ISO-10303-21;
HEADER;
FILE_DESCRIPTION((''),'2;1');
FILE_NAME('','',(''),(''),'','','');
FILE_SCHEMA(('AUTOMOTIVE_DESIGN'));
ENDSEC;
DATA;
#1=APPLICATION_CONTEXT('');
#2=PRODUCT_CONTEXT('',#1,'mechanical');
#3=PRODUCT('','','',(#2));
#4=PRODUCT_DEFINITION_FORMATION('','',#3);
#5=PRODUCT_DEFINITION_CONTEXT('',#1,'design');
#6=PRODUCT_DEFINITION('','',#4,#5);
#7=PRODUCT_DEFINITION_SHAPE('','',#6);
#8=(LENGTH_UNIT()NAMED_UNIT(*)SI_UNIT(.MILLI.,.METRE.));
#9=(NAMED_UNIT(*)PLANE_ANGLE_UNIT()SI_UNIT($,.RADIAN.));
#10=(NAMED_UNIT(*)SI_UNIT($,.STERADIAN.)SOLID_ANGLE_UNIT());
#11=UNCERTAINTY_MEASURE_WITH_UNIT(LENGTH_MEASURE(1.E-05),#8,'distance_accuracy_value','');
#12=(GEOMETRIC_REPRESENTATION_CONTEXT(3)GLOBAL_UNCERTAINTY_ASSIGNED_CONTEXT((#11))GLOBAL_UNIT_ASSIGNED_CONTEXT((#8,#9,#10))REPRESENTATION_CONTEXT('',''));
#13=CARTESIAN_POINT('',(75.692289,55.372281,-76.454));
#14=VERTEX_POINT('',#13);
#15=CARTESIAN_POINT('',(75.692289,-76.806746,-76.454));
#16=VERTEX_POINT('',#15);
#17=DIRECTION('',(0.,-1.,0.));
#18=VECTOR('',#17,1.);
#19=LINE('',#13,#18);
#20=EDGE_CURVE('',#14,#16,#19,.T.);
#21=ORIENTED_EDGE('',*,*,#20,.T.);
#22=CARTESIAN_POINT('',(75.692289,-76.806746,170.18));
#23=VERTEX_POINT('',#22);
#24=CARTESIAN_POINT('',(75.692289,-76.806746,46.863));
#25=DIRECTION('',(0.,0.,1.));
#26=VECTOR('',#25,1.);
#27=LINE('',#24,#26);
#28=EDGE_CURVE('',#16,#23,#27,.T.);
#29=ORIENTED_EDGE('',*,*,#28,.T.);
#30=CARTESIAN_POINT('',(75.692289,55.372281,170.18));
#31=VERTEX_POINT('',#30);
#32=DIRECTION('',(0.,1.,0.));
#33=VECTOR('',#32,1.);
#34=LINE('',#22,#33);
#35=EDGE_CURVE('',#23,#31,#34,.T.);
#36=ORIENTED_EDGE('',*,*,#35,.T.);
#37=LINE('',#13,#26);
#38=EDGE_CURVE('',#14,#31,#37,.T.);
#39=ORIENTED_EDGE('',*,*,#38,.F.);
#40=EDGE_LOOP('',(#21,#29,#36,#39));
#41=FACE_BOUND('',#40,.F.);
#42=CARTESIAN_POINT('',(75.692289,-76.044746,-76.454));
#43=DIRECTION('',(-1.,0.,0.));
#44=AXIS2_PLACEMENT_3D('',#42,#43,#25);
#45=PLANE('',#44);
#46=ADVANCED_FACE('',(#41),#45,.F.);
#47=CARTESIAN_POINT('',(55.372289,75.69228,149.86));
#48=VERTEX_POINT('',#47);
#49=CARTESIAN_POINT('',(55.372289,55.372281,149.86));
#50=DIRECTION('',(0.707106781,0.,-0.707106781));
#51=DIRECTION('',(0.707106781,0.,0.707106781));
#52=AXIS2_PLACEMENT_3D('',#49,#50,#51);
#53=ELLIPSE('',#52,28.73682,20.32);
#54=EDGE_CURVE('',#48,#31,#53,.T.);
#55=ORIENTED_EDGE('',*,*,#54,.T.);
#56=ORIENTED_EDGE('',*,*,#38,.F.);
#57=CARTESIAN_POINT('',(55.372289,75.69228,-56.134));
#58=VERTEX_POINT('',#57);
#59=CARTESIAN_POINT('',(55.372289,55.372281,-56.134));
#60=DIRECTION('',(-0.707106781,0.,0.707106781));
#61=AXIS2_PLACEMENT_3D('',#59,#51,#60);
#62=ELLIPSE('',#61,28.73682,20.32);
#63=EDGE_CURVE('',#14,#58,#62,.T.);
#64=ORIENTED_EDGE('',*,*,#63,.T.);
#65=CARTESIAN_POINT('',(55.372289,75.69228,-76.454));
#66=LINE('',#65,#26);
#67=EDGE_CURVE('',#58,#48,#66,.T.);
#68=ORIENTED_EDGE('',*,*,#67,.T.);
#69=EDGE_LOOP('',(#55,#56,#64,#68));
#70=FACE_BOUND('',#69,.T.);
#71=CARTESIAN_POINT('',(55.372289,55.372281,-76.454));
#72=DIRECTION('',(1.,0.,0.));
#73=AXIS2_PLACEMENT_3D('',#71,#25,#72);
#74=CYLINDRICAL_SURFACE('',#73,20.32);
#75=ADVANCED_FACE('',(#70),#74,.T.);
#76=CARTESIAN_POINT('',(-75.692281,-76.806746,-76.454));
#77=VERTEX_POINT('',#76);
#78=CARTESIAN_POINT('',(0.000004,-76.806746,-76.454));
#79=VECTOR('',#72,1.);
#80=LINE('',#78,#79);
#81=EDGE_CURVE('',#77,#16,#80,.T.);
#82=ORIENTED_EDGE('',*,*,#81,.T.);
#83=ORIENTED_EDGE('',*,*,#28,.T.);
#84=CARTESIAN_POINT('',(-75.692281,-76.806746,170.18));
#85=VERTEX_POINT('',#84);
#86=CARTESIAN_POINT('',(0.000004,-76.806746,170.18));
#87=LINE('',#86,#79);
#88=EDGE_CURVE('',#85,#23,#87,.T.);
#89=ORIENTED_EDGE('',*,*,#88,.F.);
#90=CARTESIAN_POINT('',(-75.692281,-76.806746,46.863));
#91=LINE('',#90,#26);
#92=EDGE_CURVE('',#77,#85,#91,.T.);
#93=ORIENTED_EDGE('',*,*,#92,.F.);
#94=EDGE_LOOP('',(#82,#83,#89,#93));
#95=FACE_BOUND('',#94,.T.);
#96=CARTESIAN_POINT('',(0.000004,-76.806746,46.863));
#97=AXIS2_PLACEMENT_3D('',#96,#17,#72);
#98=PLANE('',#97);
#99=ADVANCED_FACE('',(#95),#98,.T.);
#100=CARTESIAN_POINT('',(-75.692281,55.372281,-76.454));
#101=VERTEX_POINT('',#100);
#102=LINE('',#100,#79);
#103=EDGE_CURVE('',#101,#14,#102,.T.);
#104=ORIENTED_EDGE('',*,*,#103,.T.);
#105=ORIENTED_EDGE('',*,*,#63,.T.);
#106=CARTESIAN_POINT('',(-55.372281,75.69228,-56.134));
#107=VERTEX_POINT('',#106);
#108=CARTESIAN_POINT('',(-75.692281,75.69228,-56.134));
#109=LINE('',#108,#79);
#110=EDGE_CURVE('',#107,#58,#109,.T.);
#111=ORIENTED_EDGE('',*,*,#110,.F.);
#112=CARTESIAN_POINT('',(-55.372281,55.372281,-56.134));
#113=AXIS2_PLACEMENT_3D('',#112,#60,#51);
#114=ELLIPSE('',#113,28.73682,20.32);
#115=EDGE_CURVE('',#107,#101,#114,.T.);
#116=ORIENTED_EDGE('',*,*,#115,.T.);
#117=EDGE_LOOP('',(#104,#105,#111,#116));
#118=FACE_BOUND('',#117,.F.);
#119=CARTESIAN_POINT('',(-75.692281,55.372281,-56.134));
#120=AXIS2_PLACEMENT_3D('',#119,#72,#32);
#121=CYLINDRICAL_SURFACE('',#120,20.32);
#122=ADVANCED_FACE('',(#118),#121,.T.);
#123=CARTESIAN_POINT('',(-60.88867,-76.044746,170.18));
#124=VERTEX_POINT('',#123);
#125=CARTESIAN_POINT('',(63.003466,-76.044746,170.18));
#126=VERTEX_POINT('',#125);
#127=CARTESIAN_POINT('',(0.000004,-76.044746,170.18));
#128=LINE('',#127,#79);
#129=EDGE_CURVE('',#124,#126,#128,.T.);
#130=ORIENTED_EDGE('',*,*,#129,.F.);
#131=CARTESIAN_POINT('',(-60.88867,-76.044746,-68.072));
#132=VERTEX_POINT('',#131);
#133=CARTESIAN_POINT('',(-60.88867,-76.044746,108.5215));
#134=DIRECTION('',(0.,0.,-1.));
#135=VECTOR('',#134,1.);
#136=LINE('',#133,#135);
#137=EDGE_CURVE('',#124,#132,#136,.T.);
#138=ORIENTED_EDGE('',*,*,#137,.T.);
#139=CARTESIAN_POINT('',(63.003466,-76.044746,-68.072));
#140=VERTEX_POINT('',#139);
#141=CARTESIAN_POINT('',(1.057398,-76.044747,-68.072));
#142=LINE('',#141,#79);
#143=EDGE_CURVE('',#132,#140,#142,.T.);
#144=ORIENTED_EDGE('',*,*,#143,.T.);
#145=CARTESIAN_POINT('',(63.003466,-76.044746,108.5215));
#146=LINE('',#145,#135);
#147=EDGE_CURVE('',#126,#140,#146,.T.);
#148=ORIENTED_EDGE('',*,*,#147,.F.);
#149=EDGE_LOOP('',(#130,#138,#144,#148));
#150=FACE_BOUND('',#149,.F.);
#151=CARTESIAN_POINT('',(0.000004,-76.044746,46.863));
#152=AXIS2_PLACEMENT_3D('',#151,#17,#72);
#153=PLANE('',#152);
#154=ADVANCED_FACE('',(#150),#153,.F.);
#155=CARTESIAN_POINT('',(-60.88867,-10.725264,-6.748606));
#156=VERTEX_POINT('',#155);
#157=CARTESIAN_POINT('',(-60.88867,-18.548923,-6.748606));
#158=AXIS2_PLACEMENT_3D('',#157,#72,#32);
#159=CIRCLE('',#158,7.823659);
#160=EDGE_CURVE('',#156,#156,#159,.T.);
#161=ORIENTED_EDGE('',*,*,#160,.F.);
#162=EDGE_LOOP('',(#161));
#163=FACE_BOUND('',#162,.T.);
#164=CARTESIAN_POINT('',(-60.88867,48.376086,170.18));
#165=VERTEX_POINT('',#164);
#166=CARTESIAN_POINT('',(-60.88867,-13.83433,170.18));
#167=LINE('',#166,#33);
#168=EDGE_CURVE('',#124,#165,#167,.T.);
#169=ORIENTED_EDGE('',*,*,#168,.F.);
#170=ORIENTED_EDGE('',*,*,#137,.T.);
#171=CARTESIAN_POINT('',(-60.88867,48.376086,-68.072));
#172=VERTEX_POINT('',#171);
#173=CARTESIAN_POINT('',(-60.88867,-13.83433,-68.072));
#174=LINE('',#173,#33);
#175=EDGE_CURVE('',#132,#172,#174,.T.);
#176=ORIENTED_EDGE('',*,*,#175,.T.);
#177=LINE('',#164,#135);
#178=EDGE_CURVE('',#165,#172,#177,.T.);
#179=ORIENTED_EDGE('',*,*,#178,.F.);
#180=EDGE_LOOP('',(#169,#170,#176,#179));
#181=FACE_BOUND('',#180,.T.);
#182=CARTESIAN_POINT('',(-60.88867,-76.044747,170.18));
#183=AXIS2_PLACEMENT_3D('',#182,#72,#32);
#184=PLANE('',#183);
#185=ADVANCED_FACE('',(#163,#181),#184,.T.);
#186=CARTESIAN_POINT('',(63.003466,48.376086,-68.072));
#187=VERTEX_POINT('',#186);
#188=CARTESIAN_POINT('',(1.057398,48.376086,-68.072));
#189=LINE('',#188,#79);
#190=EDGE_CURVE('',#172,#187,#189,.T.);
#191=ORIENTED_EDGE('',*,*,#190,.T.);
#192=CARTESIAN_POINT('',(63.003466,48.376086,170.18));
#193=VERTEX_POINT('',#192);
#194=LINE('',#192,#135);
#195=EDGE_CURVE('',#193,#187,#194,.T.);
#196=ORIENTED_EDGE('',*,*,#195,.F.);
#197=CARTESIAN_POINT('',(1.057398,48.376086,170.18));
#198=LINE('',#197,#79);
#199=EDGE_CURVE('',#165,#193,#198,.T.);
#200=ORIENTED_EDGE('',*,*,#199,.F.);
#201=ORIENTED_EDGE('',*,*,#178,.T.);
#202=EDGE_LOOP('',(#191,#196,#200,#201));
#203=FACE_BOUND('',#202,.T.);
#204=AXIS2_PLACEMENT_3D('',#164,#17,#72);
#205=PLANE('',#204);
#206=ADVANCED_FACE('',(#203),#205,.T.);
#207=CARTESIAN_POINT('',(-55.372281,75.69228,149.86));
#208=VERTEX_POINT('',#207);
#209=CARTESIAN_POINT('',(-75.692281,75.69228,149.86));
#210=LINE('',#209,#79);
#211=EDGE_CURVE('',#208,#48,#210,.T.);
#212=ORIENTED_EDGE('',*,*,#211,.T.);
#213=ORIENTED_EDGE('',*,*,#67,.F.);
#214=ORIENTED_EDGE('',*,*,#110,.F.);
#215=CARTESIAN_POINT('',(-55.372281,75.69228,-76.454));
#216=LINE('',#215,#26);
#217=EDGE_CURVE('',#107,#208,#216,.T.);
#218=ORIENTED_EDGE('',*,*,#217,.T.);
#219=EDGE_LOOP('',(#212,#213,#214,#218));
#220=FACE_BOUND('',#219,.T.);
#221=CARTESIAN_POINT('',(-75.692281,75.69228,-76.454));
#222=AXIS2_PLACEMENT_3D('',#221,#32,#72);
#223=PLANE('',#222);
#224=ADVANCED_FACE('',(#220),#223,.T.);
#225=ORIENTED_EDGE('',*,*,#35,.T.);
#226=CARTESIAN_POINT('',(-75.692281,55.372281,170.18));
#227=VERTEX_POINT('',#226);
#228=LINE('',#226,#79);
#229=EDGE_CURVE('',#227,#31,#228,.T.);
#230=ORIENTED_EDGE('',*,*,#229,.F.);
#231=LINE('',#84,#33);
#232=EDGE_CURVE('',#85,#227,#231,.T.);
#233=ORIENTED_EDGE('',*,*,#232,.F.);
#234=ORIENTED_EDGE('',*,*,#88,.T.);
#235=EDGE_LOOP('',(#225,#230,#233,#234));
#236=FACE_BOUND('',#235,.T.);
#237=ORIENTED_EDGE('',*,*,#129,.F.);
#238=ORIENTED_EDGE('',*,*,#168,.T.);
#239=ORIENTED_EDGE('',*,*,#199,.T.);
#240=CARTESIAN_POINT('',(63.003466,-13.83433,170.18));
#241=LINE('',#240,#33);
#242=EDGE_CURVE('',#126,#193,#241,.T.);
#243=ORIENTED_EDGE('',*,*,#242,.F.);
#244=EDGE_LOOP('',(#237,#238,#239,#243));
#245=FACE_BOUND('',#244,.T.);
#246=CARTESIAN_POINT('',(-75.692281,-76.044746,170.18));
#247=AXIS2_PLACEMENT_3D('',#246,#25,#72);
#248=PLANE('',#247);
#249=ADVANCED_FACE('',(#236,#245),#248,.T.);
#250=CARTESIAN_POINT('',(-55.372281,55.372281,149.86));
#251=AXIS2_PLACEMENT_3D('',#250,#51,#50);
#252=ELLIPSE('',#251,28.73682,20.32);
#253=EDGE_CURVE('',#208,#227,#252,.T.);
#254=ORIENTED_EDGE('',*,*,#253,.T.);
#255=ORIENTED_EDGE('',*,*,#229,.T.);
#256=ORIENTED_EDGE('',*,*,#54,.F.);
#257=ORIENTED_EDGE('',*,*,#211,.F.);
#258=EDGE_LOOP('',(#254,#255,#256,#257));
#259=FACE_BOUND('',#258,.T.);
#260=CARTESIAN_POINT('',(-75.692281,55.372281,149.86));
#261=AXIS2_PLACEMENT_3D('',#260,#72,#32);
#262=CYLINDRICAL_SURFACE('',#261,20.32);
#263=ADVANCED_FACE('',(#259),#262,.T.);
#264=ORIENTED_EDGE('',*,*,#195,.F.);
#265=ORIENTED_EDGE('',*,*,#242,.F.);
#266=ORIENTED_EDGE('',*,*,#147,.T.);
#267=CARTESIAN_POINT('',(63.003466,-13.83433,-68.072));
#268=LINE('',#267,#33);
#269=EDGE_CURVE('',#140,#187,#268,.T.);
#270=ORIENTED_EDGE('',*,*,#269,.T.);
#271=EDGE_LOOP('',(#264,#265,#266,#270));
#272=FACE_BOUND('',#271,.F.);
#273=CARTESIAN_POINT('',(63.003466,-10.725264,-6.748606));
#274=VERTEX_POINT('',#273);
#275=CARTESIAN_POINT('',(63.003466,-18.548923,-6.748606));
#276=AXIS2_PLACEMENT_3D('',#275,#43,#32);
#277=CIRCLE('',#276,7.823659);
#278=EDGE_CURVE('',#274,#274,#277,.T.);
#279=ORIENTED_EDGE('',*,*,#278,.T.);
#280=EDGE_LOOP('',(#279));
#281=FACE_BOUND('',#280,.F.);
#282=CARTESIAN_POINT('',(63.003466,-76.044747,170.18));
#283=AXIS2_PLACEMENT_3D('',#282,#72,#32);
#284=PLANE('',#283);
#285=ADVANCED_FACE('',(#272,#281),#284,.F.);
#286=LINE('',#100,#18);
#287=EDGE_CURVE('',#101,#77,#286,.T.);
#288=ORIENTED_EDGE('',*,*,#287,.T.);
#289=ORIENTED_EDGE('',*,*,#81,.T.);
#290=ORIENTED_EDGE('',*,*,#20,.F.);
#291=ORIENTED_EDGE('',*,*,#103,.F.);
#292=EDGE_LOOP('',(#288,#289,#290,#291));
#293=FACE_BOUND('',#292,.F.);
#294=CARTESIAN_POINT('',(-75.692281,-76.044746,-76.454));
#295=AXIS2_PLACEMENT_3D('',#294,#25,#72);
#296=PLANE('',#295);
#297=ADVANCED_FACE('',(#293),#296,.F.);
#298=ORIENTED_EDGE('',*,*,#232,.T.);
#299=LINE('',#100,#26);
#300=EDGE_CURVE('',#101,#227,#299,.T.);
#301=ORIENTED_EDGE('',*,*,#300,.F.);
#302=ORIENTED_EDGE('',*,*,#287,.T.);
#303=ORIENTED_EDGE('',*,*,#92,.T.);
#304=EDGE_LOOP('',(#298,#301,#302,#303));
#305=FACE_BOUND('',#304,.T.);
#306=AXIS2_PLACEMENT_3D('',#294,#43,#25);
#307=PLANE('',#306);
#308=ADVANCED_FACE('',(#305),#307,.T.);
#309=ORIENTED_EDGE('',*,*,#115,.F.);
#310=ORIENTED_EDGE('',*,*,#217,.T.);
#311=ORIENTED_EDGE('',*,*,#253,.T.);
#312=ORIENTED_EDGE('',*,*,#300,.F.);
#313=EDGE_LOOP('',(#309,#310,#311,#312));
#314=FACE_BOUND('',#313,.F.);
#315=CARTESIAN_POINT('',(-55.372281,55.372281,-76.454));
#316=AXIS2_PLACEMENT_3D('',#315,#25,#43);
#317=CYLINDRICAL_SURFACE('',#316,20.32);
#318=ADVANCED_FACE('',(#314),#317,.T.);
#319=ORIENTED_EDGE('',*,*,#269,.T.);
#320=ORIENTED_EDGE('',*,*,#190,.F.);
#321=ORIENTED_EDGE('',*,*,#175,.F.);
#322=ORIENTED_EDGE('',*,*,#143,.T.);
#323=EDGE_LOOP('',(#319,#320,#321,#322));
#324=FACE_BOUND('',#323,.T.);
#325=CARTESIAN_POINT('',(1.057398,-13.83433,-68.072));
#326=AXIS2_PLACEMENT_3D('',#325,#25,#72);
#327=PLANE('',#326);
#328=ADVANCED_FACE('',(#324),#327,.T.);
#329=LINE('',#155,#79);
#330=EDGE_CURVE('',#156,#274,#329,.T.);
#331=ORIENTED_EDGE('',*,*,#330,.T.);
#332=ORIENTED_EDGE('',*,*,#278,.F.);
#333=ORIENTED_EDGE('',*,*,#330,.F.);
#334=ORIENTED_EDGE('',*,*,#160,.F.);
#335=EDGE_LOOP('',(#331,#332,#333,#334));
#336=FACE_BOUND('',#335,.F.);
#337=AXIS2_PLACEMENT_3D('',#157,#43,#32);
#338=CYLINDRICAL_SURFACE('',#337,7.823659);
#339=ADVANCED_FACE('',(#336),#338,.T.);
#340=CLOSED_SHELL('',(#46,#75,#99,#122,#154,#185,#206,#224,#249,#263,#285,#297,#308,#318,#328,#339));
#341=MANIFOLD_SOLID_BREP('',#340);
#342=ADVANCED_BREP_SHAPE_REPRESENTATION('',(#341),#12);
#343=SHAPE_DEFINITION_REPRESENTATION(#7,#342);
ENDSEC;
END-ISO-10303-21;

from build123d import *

# Parameters (mm, degrees)
F1_W     = 151.38457
F1_H     = 151.737027
F2_DEPTH = 246.634
F3_R     = 20.32
F4_W     = 123.892136
F4_H     = 124.420833
F5_DEPTH = 238.252
F6_W     = 151.38457
F6_H     = 246.634
F7_DEPTH = 0.762
F8_R     = 7.823659
F9_DEPTH = 130.302


with BuildPart() as f2:
    # F1 (on offset) → F2 (new body)
    with BuildSketch(Plane.XY.offset(-76.454)):
        with Locations((4e-06, -0.176233)):
            Rectangle(F1_W, F1_H)
    extrude(amount=F2_DEPTH)

    # F3
    f3_edges = [f2.edges().sort_by_distance(p)[0] for p in [
        (4e-06, 75.692281, 170.18),
        (75.692289, 75.692281, 46.863),
        (4e-06, 75.692281, -76.454),
        (-75.692281, 75.692281, 46.863),
    ]]
    fillet(f3_edges, radius=F3_R)

    # F4 (on face) → F5 (cut)
    with BuildSketch(Plane.XY.offset(170.18)):
        with Locations((1.057398, -13.83433)):
            Rectangle(F4_W, F4_H)
    extrude(amount=-F5_DEPTH, mode=Mode.SUBTRACT)

    # F6 (on face) → F7 (join)
    with BuildSketch(Plane.XZ.offset(76.044746)):
        with Locations((4e-06, 46.863)):
            Rectangle(F6_W, F6_H)
    extrude(amount=F7_DEPTH)

    # F8 (on face) → F9 (join)
    with BuildSketch(Plane.YZ.offset(-60.88867)):
        with Locations((-18.548923, -6.748606)):
            Circle(F8_R)
    extrude(amount=F9_DEPTH)


solid = f2.part
